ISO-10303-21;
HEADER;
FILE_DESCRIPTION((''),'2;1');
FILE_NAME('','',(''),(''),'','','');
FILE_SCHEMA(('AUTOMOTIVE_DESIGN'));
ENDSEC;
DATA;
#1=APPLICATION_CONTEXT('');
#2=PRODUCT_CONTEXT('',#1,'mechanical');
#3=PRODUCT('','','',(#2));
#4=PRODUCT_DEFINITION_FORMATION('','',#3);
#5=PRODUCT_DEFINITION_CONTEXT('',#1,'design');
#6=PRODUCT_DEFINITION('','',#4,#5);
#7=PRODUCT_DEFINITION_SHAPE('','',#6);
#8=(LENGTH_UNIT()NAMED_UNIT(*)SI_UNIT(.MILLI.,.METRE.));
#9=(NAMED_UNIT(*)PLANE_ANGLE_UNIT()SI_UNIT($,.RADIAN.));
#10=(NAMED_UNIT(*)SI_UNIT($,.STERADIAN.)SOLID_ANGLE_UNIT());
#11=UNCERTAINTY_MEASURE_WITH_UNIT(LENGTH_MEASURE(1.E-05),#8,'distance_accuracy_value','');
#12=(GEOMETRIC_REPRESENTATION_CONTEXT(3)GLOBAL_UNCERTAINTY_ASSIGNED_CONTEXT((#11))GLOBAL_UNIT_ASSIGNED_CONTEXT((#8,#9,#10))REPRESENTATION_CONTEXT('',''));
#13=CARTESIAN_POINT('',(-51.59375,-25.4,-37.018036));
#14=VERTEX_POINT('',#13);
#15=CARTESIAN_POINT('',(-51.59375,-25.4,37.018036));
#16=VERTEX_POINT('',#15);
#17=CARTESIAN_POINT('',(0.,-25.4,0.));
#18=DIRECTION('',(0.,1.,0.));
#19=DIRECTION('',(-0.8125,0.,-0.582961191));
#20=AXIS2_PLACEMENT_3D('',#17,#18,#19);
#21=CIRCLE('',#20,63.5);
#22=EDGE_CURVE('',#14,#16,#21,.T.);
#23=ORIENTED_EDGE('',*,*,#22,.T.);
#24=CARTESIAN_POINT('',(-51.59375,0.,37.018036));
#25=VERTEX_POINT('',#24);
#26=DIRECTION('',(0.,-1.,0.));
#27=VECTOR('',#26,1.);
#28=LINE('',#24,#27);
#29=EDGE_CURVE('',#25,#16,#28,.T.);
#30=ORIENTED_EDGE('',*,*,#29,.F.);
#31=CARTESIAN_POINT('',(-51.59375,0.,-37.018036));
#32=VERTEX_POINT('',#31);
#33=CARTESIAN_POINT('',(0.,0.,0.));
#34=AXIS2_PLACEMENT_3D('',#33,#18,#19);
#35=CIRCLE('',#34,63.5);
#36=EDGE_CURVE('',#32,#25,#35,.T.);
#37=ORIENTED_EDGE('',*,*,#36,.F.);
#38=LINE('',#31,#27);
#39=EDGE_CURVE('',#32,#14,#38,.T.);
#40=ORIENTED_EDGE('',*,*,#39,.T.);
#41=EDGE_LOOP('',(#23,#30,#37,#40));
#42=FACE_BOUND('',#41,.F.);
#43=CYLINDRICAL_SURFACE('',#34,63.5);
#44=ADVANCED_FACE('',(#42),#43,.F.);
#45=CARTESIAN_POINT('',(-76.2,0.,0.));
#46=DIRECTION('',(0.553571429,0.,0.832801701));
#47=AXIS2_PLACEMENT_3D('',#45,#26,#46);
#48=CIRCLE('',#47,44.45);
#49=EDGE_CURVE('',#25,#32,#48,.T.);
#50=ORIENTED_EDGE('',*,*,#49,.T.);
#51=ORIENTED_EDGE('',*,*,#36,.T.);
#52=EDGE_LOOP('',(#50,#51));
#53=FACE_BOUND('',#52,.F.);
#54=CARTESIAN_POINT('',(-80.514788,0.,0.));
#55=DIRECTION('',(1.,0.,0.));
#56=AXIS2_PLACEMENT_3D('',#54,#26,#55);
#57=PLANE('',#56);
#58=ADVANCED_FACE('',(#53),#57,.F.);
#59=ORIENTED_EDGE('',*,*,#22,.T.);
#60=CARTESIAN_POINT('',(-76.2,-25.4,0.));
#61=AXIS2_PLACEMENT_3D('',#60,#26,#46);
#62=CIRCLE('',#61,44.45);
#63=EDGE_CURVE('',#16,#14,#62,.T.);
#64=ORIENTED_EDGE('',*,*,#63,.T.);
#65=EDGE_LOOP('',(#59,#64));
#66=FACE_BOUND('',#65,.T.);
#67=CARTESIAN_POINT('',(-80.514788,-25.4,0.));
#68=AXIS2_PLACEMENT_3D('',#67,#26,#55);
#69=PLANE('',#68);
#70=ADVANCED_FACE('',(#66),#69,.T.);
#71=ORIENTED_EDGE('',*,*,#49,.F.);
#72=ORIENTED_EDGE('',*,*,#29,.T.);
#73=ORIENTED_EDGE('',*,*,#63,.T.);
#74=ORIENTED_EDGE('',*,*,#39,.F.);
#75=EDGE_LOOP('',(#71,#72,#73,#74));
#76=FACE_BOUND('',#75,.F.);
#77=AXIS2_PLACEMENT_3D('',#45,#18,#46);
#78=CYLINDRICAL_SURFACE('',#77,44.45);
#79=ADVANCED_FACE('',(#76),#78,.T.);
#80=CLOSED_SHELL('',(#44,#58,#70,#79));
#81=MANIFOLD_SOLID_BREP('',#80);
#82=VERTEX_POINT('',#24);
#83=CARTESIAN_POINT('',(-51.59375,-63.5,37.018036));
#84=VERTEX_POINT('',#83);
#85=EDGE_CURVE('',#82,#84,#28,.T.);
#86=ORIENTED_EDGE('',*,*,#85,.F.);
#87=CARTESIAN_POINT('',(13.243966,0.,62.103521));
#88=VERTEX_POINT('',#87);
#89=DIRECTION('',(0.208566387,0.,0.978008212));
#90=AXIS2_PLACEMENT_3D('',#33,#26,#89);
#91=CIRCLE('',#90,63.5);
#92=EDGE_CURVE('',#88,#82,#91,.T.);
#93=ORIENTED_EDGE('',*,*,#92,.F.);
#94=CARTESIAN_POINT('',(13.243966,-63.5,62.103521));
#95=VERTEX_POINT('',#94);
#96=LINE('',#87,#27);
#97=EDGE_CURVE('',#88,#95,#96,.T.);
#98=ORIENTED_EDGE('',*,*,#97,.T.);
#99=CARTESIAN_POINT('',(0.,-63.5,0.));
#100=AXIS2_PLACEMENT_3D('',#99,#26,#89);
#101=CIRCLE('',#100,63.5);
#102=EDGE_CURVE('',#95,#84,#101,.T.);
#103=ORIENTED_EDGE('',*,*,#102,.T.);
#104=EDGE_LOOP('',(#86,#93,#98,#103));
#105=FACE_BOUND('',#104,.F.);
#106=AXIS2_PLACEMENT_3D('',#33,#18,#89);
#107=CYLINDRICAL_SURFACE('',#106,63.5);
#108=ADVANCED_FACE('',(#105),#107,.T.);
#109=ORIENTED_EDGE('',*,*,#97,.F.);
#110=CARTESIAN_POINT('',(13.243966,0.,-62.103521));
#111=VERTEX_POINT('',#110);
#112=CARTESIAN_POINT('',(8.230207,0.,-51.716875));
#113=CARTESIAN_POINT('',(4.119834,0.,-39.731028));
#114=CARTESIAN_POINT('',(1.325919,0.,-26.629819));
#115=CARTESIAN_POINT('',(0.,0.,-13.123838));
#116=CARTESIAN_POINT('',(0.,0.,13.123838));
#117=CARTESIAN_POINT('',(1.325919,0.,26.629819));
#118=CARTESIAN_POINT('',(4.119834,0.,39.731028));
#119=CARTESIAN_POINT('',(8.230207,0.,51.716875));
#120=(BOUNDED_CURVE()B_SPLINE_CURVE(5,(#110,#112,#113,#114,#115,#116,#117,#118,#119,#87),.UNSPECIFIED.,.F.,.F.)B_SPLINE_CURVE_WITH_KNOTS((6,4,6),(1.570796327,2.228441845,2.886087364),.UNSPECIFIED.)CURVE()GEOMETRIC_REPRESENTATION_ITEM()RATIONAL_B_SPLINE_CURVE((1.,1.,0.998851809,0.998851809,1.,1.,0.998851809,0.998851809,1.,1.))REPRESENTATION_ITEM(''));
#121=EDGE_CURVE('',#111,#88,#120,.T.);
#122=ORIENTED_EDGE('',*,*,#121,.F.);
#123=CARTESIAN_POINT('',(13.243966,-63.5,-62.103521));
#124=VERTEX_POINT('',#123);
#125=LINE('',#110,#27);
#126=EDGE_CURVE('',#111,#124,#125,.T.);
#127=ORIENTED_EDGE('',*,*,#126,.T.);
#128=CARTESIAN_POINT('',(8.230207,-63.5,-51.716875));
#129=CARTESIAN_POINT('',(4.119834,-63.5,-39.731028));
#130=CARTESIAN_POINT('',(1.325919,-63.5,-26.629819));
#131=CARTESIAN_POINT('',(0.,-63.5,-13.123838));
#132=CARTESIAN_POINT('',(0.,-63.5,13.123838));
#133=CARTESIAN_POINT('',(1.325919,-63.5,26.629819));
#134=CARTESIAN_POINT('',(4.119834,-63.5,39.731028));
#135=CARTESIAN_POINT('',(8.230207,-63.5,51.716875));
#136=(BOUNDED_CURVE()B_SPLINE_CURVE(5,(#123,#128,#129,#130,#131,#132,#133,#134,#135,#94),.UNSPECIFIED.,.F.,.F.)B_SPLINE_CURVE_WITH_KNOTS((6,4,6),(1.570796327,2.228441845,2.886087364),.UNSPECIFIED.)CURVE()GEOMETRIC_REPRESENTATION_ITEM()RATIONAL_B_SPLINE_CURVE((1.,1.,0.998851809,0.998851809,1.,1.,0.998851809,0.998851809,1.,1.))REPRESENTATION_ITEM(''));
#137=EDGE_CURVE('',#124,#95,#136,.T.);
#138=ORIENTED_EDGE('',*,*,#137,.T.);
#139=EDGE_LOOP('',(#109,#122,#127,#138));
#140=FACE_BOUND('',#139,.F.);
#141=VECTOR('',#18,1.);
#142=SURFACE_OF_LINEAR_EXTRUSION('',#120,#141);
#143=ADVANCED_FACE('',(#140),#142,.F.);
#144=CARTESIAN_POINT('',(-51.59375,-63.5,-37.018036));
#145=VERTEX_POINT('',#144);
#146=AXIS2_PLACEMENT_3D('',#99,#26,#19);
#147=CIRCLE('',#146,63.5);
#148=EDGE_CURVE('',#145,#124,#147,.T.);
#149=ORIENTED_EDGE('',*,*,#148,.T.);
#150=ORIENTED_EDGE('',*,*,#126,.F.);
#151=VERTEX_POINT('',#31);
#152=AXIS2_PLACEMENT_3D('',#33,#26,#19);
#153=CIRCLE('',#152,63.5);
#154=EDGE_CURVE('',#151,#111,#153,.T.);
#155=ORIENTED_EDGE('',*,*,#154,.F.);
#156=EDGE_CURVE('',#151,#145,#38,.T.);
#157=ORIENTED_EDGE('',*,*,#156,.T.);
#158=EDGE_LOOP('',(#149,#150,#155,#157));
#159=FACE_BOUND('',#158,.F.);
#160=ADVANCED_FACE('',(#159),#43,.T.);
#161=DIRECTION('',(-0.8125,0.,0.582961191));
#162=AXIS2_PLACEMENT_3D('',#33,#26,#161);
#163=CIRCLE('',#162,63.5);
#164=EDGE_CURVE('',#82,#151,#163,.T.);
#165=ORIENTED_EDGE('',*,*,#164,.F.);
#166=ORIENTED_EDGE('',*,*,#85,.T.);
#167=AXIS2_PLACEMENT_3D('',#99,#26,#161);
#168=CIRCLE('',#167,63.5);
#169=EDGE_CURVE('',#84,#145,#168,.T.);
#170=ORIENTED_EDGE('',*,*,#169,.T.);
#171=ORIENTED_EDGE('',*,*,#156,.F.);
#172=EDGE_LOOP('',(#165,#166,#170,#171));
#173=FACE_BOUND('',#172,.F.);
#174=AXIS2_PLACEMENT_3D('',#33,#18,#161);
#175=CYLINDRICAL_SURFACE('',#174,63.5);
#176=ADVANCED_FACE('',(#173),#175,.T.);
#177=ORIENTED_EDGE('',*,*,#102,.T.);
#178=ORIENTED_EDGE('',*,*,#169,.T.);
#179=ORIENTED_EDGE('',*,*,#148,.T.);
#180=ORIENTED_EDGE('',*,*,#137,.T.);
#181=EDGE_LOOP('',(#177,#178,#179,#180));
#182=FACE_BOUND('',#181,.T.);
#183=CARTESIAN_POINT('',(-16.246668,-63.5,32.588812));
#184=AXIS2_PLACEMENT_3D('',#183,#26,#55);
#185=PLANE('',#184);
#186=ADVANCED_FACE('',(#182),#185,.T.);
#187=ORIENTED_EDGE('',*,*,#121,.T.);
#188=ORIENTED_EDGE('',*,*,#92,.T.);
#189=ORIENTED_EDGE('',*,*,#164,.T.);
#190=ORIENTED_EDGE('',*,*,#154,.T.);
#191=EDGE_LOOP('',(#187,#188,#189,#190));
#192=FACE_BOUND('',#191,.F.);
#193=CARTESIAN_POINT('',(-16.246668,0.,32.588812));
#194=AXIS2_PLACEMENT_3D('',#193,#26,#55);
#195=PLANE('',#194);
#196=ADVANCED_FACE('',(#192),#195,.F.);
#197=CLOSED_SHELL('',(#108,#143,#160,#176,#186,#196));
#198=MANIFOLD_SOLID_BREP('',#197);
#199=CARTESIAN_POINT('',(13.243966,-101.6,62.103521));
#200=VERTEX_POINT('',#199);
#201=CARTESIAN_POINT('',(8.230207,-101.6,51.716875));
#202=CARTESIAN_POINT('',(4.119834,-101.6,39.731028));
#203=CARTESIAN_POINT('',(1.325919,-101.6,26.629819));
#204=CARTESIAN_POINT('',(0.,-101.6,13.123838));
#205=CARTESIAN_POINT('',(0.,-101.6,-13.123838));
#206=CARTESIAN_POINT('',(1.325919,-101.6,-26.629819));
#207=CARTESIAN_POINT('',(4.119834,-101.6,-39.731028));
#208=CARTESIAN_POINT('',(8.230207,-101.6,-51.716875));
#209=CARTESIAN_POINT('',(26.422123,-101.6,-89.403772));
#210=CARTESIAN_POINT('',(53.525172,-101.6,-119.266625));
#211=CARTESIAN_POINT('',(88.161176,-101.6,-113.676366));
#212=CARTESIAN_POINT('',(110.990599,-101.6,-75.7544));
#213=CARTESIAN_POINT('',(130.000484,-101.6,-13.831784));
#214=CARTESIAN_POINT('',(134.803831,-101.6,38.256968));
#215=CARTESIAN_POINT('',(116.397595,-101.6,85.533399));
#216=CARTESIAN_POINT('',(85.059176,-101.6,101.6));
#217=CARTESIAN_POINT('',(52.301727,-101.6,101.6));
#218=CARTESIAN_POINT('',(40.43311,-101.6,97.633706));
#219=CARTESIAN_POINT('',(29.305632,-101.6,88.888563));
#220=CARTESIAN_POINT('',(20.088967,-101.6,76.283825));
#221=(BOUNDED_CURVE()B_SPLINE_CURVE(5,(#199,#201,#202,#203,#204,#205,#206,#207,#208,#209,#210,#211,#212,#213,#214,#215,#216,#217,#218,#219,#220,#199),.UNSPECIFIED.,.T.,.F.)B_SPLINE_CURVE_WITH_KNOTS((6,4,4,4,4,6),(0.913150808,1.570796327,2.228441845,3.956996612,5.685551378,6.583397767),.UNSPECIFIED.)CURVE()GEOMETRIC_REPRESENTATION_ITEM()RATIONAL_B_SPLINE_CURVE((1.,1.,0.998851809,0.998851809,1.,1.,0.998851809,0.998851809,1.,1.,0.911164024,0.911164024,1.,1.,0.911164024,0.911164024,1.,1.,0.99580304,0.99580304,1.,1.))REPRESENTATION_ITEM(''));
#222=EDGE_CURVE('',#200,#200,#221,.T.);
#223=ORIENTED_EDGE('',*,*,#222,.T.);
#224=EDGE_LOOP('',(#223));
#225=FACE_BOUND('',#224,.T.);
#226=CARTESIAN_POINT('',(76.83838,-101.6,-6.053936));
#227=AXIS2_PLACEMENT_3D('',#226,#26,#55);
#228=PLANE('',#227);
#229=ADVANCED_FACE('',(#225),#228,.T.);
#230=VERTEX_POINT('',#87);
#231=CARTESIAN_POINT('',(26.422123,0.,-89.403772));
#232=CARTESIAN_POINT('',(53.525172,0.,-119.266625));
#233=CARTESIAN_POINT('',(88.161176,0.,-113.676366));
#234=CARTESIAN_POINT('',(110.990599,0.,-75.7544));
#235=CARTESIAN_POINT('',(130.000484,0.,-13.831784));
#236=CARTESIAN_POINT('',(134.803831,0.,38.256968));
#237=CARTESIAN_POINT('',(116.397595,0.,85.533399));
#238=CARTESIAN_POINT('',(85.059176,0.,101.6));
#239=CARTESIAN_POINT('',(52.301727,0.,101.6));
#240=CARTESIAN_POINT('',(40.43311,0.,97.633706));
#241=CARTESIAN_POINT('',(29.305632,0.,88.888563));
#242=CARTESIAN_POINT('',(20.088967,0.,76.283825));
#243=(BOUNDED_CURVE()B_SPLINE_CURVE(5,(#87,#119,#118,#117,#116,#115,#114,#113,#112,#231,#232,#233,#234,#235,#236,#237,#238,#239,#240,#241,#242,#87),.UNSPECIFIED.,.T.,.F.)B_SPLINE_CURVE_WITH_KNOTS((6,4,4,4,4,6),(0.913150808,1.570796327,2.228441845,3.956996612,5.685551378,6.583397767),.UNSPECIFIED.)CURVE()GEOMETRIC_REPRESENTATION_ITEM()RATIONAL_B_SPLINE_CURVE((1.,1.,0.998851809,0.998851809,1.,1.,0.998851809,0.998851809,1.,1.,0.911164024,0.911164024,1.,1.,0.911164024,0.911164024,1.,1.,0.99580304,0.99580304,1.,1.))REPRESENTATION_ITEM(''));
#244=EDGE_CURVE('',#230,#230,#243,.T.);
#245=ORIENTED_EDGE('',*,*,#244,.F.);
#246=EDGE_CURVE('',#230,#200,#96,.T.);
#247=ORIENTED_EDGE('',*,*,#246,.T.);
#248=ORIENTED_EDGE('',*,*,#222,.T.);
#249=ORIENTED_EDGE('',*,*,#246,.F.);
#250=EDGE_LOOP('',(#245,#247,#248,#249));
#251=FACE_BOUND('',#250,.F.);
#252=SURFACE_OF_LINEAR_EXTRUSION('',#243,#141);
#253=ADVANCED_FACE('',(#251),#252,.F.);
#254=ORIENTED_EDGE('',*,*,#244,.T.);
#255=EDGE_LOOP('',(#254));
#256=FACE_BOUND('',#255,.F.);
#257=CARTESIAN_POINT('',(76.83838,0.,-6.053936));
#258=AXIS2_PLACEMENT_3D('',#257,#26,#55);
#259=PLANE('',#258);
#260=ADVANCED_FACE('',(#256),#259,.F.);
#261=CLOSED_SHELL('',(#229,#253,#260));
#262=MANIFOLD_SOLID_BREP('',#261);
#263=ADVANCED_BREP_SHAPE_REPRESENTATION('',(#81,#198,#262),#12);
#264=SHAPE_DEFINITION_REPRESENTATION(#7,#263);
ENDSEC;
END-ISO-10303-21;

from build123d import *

# Parameters (mm, degrees)
F1_DEPTH = 25.4
F2_DEPTH = 63.5
F3_DEPTH = 101.6


with BuildPart() as f1:
    # F0 (on Front) → F1 (new body)
    with BuildSketch(Plane.XZ):
        with BuildLine():
            ThreePointArc((-51.59375, -37.0180356169), (-60.4501990278, -19.4428248333), (-63.5, 0))
            ThreePointArc((-63.5, 0), (-60.4501990278, 19.4428248333), (-51.59375, 37.0180356169))
            ThreePointArc((-51.59375, 37.0180356169), (-120.65, 0), (-51.59375, -37.0180356169))
        make_face()
    extrude(amount=F1_DEPTH)


with BuildPart() as f2:
    # F0 (on Front) → F2 (new body)
    with BuildSketch(Plane.XZ):
        with BuildLine():
            Line((-31.75, 0), (0, 0))
            add(Edge.make_bspline(
                [(13.2439655959, 62.1035214404), (0, 34.6669399309), (0, 0)],
                knots=[0.9131508081, 0.9131508081, 0.9131508081, 1.5707963268, 1.5707963268, 1.5707963268], degree=2, weights=[1, 0.9464231645, 1]))
            ThreePointArc((13.2439655959, 62.1035214404), (-22.9128106244, 59.2220660674), (-51.59375, 37.0180356169))
            ThreePointArc((-51.59375, 37.0180356169), (-37.0237934934, 21.0006510316), (-31.75, 0))
        make_face()
        with BuildLine():
            Line((-63.5, 0), (-31.75, 0))
            ThreePointArc((-31.75, 0), (-37.0237934934, 21.0006510316), (-51.59375, 37.0180356169))
            ThreePointArc((-51.59375, 37.0180356169), (-60.4501990278, 19.4428248333), (-63.5, 0))
        make_face()
        with BuildLine():
            ThreePointArc((-51.59375, -37.0180356169), (-37.0237934934, -21.0006510316), (-31.75, 0))
            Line((-31.75, 0), (-63.5, 0))
            ThreePointArc((-63.5, 0), (-60.4501990278, -19.4428248333), (-51.59375, -37.0180356169))
        make_face()
        with BuildLine():
            add(Edge.make_bspline(
                [(0, 0), (0, -34.6669399309), (13.2439655959, -62.1035214404)],
                knots=[1.5707963268, 1.5707963268, 1.5707963268, 2.2284418454, 2.2284418454, 2.2284418454], degree=2, weights=[1, 0.9464231645, 1]))
            Line((0, 0), (-31.75, 0))
            ThreePointArc((-31.75, 0), (-37.0237934934, -21.0006510316), (-51.59375, -37.0180356169))
            ThreePointArc((-51.59375, -37.0180356169), (-22.9128106244, -59.2220660674), (13.2439655959, -62.1035214404))
        make_face()
    extrude(amount=F2_DEPTH)


with BuildPart() as f3:
    # F0 (on Front) → F3 (new body)
    with BuildSketch(Plane.XZ):
        with BuildLine():
            ThreePointArc((63.5, 0), (49.3621404284, -39.9453262889), (13.2439655959, -62.1035214404))
            add(Edge.make_bspline(
                [(13.2439655959, -62.1035214404), (75.5537087854, -191.1861844445), (120.4955415237, -44.7930922222), (165.437374262, 101.6), (63.5, 101.6)],
                knots=[2.2284418454, 2.2284418454, 2.2284418454, 4.2558135763, 4.2558135763, 6.2831853072, 6.2831853072, 6.2831853072], degree=2, weights=[1, 0.5287358074, 1, 0.5287358074, 1]))
            Line((63.5, 101.6), (63.5, 0))
        make_face()
        with BuildLine():
            add(Edge.make_bspline(
                [(63.5, 101.6), (32.3093875408, 101.6), (13.2439655959, 62.1035214404)],
                knots=[0, 0, 0, 0.9131508081, 0.9131508081, 0.9131508081], degree=2, weights=[1, 0.8975675831, 1]))
            ThreePointArc((13.2439655959, 62.1035214404), (49.3621404284, 39.9453262889), (63.5, 0))
            Line((63.5, 0), (63.5, 101.6))
        make_face()
        with BuildLine():
            add(Edge.make_bspline(
                [(13.2439655959, 62.1035214404), (0, 34.6669399309), (0, 0)],
                knots=[0.9131508081, 0.9131508081, 0.9131508081, 1.5707963268, 1.5707963268, 1.5707963268], degree=2, weights=[1, 0.9464231645, 1]))
            add(Edge.make_bspline(
                [(0, 0), (0, -34.6669399309), (13.2439655959, -62.1035214404)],
                knots=[1.5707963268, 1.5707963268, 1.5707963268, 2.2284418454, 2.2284418454, 2.2284418454], degree=2, weights=[1, 0.9464231645, 1]))
            ThreePointArc((13.2439655959, -62.1035214404), (49.3621404284, -39.9453262889), (63.5, 0))
            ThreePointArc((63.5, 0), (49.3621404284, 39.9453262889), (13.2439655959, 62.1035214404))
        make_face()
    extrude(amount=F3_DEPTH)


solid = Compound([f1.part, f2.part, f3.part])
